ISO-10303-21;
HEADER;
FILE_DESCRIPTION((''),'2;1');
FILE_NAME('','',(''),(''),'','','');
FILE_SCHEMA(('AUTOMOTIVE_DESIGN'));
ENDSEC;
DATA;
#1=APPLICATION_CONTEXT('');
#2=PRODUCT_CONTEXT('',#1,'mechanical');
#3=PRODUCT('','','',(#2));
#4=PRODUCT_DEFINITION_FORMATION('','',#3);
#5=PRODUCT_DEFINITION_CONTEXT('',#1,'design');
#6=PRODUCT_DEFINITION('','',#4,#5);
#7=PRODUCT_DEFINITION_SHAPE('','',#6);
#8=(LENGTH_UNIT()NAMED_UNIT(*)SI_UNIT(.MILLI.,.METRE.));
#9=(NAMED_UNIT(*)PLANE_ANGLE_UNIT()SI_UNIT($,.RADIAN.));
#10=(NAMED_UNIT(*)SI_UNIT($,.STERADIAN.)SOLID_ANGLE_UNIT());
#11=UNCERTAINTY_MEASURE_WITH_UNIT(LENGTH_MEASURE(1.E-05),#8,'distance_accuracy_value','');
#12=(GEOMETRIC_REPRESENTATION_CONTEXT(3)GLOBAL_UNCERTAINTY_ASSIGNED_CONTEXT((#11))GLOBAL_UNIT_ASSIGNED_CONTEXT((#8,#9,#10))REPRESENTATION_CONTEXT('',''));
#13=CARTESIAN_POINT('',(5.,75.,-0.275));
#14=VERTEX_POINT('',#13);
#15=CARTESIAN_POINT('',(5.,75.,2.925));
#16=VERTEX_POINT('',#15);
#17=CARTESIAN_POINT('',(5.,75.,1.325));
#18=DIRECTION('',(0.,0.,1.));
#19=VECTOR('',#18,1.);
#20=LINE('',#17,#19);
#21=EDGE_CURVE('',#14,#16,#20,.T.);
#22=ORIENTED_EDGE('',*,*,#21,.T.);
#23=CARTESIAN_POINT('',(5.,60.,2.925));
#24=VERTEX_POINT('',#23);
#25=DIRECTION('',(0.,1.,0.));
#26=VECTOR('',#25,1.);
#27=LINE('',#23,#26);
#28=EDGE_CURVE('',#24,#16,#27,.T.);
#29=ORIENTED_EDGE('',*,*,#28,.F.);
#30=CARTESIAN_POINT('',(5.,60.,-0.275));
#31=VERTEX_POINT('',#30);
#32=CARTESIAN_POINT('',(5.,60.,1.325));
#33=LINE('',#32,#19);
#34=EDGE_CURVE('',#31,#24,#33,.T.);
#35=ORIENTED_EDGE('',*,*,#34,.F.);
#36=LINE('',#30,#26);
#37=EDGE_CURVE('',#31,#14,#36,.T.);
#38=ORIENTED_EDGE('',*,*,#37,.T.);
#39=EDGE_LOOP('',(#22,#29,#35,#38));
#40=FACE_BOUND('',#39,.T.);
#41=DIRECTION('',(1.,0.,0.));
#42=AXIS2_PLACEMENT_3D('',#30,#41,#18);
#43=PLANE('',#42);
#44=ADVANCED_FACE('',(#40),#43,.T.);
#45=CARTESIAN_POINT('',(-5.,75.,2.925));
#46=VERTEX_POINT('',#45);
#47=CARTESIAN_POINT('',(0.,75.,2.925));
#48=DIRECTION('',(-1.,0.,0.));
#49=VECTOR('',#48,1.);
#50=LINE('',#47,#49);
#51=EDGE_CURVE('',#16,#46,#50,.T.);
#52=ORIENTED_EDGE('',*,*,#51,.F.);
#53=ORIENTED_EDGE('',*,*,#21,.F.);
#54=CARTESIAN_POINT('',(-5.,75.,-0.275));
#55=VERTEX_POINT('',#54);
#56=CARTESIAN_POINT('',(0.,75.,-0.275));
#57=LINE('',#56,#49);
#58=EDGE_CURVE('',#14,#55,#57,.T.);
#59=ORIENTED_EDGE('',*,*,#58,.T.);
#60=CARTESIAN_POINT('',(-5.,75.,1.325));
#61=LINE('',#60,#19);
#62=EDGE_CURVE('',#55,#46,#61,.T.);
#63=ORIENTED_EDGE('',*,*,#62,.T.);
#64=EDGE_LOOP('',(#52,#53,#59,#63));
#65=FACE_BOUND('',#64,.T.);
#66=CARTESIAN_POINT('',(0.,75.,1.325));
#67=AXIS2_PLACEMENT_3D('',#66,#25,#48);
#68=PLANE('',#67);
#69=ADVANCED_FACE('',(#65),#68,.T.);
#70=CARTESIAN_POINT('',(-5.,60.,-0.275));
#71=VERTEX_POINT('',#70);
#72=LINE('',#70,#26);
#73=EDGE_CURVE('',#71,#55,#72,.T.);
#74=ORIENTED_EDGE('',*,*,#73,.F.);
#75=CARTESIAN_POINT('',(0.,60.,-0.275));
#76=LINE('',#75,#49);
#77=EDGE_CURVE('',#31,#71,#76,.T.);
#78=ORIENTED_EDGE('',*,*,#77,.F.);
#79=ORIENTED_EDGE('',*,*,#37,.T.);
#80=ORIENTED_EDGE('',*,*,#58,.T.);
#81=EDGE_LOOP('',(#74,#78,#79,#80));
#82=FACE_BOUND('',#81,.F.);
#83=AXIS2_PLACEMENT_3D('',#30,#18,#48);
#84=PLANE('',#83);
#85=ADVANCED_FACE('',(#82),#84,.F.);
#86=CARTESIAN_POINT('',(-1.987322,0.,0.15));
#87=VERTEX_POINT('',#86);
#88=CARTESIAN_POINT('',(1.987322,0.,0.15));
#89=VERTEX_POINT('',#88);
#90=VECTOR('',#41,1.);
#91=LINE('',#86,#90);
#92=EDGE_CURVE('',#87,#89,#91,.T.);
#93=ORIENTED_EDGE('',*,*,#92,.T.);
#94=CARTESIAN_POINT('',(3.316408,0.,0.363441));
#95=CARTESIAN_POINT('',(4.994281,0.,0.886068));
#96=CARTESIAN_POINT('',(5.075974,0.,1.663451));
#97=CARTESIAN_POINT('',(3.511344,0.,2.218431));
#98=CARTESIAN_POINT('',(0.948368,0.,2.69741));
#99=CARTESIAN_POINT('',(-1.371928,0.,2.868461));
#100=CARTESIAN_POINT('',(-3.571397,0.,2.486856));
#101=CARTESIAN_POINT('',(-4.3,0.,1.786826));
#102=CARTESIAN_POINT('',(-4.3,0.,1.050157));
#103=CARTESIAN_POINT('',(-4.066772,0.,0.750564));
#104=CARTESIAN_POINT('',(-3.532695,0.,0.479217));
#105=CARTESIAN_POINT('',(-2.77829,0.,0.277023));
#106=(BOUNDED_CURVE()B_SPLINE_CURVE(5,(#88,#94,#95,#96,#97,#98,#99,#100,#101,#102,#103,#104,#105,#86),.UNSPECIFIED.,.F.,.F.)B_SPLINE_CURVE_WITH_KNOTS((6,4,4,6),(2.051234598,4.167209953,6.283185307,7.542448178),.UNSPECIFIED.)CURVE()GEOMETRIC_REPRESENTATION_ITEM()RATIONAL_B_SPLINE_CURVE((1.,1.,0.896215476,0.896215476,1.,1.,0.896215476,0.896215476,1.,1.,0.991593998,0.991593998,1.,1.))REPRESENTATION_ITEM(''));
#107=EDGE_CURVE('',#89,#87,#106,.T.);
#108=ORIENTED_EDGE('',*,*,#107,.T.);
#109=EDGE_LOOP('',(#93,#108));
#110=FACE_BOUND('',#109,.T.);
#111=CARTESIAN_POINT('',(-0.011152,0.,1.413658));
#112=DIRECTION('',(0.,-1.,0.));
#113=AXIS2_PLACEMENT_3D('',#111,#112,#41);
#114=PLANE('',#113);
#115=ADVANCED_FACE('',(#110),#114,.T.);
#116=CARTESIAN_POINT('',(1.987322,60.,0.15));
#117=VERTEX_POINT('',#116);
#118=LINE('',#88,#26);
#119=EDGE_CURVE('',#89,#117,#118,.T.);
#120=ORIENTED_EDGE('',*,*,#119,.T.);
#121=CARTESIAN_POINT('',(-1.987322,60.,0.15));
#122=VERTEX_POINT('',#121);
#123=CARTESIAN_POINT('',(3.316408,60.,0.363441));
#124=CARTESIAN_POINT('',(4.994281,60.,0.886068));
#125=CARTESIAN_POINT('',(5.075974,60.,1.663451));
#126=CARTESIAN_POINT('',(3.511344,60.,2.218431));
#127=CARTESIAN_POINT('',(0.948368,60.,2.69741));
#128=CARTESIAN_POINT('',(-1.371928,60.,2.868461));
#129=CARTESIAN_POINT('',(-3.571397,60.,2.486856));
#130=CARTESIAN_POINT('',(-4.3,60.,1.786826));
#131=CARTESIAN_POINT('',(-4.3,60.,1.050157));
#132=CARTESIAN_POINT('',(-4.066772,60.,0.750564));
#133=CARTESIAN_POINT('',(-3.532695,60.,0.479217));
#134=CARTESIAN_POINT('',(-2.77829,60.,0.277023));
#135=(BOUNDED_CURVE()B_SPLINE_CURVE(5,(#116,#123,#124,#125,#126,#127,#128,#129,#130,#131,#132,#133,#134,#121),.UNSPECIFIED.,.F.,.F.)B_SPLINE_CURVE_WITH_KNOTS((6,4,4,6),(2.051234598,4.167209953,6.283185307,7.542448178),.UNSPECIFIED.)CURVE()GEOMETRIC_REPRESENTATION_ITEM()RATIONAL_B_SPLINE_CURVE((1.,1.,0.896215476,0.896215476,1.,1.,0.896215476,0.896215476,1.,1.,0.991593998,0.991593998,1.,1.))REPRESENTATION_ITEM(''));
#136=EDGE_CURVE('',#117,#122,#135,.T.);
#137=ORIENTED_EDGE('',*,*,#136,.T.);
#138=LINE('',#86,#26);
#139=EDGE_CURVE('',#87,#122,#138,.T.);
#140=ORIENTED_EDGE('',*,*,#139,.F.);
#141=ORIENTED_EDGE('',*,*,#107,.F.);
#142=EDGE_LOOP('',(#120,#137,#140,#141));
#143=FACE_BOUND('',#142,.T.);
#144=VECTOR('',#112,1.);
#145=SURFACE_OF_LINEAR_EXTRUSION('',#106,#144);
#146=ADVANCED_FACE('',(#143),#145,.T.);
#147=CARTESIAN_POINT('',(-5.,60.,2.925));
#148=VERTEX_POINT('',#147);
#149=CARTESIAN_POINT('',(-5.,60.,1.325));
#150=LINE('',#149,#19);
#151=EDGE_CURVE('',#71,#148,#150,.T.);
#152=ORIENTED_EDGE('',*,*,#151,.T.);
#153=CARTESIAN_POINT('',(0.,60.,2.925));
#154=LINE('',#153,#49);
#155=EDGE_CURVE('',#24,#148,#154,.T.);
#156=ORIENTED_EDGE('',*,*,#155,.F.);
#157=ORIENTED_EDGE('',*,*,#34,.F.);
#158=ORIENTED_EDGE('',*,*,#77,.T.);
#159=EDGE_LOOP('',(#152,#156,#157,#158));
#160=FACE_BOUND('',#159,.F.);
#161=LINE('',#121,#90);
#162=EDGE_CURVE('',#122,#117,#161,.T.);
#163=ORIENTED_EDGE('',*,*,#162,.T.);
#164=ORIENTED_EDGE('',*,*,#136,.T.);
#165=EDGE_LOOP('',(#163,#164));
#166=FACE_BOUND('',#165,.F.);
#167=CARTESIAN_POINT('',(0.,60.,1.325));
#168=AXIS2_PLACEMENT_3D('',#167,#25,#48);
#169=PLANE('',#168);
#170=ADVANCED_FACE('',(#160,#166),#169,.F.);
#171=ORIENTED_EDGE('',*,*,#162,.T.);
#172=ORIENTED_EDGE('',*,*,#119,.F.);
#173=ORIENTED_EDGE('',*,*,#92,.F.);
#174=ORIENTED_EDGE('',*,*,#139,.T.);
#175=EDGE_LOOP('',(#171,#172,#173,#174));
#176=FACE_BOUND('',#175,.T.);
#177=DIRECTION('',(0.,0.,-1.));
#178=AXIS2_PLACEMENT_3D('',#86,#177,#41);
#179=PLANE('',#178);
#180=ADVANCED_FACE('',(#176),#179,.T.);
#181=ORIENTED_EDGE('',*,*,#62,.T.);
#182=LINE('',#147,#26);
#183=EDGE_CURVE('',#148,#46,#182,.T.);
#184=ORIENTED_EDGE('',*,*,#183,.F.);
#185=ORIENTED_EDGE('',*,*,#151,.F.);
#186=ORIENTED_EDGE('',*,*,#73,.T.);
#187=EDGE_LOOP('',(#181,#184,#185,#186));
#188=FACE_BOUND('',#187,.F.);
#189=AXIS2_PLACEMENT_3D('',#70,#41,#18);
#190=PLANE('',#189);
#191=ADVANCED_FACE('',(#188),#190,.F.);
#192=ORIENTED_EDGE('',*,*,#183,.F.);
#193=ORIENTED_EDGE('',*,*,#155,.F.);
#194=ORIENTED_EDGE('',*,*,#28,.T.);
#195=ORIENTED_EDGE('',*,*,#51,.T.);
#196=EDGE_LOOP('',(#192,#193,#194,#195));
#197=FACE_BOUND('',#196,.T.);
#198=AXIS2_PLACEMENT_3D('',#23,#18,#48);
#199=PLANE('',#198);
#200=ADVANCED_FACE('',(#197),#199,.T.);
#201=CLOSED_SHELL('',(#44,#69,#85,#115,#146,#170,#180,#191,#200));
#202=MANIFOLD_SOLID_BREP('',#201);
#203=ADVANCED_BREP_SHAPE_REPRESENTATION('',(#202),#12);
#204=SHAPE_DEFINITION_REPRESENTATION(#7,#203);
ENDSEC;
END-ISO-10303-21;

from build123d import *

# Parameters (mm, degrees)
F1_DEPTH = 60
F2_W     = 10
F2_H     = 3.2
F3_DEPTH = 15


with BuildPart() as f1:
    # F0 (on Front) → F1 (new body)
    with BuildSketch(Plane.XZ):
        with BuildLine():
            ThreePointArc((-1.3919410907, 0.15), (0, 1.4), (1.3919410907, 0.15))
            Line((1.3919410907, 0.15), (1.9873218668, 0.15))
            add(Edge.make_bspline(
                [(1.9873218668, 0.15), (8.7597120922, 1.2375949044), (2.2298560461, 2.4579206674), (-4.3, 3.6782464304), (-4.3, 1.325)],
                knots=[2.0512345985, 2.0512345985, 2.0512345985, 4.1672099529, 4.1672099529, 6.2831853072, 6.2831853072, 6.2831853072], degree=2, weights=[1, 0.4906265517, 1, 0.4906265517, 1]))
            add(Edge.make_bspline(
                [(-4.3, 1.325), (-4.3, 0.5213987041), (-1.9873218668, 0.15)],
                knots=[0, 0, 0, 1.090358055, 1.090358055, 1.090358055], degree=2, weights=[1, 0.855034466, 1]))
            Line((-1.9873218668, 0.15), (-1.3919410907, 0.15))
        make_face()
        with BuildLine():
            Line((0, 0.15), (1.3919410907, 0.15))
            ThreePointArc((1.3919410907, 0.15), (0, 1.4), (-1.3919410907, 0.15))
            Line((-1.3919410907, 0.15), (0, 0.15))
        make_face()
    extrude(amount=-F1_DEPTH)

    # F2 (on face) → F3 (join)
    with BuildSketch(Plane(origin=(0, 60, 0), x_dir=(-1, 0, 0), z_dir=(0, 1, 0))):
        with Locations((0, 1.325)):
            Rectangle(F2_W, F2_H)
        with BuildLine():
            Line((1.9873218668, 0.15), (-1.9873218668, 0.15))
            add(Edge.make_bspline(
                [(-1.9873218668, 0.15), (-3.316407652, 0.363441175), (-4.9942807704, 0.8860675131), (-5.0759742159, 1.6634506914), (-3.5113443481, 2.218430979), (-0.9483677441, 2.6974103558), (1.3719275195, 2.8684605031), (3.5713966428, 2.4868557618), (4.3, 1.7868260726), (4.3, 1.050157278), (4.0667716688, 0.7505644888), (3.5326948671, 0.4792166376), (2.7782896718, 0.277023477), (1.9873218668, 0.15)],
                knots=[2.0512345985, 2.0512345985, 2.0512345985, 2.0512345985, 2.0512345985, 2.0512345985, 4.1672099529, 4.1672099529, 4.1672099529, 4.1672099529, 6.2831853072, 6.2831853072, 6.2831853072, 6.2831853072, 7.542448178, 7.542448178, 7.542448178, 7.542448178, 7.542448178, 7.542448178], degree=5, weights=[1, 1, 0.8962154761, 0.8962154761, 1, 1, 0.8962154761, 0.8962154761, 1, 1, 0.9915939976, 0.9915939976, 1, 1]))
        make_face(mode=Mode.SUBTRACT)
        with BuildLine():
            add(Edge.make_bspline(
                [(-1.9873218668, 0.15), (-3.316407652, 0.363441175), (-4.9942807704, 0.8860675131), (-5.0759742159, 1.6634506914), (-3.5113443481, 2.218430979), (-0.9483677441, 2.6974103558), (1.3719275195, 2.8684605031), (3.5713966428, 2.4868557618), (4.3, 1.7868260726), (4.3, 1.050157278), (4.0667716688, 0.7505644888), (3.5326948671, 0.4792166376), (2.7782896718, 0.277023477), (1.9873218668, 0.15)],
                knots=[2.0512345985, 2.0512345985, 2.0512345985, 2.0512345985, 2.0512345985, 2.0512345985, 4.1672099529, 4.1672099529, 4.1672099529, 4.1672099529, 6.2831853072, 6.2831853072, 6.2831853072, 6.2831853072, 7.542448178, 7.542448178, 7.542448178, 7.542448178, 7.542448178, 7.542448178], degree=5, weights=[1, 1, 0.8962154761, 0.8962154761, 1, 1, 0.8962154761, 0.8962154761, 1, 1, 0.9915939976, 0.9915939976, 1, 1]))
            Line((-1.9873218668, 0.15), (1.9873218668, 0.15))
        make_face()
    extrude(amount=F3_DEPTH)


solid = f1.part
